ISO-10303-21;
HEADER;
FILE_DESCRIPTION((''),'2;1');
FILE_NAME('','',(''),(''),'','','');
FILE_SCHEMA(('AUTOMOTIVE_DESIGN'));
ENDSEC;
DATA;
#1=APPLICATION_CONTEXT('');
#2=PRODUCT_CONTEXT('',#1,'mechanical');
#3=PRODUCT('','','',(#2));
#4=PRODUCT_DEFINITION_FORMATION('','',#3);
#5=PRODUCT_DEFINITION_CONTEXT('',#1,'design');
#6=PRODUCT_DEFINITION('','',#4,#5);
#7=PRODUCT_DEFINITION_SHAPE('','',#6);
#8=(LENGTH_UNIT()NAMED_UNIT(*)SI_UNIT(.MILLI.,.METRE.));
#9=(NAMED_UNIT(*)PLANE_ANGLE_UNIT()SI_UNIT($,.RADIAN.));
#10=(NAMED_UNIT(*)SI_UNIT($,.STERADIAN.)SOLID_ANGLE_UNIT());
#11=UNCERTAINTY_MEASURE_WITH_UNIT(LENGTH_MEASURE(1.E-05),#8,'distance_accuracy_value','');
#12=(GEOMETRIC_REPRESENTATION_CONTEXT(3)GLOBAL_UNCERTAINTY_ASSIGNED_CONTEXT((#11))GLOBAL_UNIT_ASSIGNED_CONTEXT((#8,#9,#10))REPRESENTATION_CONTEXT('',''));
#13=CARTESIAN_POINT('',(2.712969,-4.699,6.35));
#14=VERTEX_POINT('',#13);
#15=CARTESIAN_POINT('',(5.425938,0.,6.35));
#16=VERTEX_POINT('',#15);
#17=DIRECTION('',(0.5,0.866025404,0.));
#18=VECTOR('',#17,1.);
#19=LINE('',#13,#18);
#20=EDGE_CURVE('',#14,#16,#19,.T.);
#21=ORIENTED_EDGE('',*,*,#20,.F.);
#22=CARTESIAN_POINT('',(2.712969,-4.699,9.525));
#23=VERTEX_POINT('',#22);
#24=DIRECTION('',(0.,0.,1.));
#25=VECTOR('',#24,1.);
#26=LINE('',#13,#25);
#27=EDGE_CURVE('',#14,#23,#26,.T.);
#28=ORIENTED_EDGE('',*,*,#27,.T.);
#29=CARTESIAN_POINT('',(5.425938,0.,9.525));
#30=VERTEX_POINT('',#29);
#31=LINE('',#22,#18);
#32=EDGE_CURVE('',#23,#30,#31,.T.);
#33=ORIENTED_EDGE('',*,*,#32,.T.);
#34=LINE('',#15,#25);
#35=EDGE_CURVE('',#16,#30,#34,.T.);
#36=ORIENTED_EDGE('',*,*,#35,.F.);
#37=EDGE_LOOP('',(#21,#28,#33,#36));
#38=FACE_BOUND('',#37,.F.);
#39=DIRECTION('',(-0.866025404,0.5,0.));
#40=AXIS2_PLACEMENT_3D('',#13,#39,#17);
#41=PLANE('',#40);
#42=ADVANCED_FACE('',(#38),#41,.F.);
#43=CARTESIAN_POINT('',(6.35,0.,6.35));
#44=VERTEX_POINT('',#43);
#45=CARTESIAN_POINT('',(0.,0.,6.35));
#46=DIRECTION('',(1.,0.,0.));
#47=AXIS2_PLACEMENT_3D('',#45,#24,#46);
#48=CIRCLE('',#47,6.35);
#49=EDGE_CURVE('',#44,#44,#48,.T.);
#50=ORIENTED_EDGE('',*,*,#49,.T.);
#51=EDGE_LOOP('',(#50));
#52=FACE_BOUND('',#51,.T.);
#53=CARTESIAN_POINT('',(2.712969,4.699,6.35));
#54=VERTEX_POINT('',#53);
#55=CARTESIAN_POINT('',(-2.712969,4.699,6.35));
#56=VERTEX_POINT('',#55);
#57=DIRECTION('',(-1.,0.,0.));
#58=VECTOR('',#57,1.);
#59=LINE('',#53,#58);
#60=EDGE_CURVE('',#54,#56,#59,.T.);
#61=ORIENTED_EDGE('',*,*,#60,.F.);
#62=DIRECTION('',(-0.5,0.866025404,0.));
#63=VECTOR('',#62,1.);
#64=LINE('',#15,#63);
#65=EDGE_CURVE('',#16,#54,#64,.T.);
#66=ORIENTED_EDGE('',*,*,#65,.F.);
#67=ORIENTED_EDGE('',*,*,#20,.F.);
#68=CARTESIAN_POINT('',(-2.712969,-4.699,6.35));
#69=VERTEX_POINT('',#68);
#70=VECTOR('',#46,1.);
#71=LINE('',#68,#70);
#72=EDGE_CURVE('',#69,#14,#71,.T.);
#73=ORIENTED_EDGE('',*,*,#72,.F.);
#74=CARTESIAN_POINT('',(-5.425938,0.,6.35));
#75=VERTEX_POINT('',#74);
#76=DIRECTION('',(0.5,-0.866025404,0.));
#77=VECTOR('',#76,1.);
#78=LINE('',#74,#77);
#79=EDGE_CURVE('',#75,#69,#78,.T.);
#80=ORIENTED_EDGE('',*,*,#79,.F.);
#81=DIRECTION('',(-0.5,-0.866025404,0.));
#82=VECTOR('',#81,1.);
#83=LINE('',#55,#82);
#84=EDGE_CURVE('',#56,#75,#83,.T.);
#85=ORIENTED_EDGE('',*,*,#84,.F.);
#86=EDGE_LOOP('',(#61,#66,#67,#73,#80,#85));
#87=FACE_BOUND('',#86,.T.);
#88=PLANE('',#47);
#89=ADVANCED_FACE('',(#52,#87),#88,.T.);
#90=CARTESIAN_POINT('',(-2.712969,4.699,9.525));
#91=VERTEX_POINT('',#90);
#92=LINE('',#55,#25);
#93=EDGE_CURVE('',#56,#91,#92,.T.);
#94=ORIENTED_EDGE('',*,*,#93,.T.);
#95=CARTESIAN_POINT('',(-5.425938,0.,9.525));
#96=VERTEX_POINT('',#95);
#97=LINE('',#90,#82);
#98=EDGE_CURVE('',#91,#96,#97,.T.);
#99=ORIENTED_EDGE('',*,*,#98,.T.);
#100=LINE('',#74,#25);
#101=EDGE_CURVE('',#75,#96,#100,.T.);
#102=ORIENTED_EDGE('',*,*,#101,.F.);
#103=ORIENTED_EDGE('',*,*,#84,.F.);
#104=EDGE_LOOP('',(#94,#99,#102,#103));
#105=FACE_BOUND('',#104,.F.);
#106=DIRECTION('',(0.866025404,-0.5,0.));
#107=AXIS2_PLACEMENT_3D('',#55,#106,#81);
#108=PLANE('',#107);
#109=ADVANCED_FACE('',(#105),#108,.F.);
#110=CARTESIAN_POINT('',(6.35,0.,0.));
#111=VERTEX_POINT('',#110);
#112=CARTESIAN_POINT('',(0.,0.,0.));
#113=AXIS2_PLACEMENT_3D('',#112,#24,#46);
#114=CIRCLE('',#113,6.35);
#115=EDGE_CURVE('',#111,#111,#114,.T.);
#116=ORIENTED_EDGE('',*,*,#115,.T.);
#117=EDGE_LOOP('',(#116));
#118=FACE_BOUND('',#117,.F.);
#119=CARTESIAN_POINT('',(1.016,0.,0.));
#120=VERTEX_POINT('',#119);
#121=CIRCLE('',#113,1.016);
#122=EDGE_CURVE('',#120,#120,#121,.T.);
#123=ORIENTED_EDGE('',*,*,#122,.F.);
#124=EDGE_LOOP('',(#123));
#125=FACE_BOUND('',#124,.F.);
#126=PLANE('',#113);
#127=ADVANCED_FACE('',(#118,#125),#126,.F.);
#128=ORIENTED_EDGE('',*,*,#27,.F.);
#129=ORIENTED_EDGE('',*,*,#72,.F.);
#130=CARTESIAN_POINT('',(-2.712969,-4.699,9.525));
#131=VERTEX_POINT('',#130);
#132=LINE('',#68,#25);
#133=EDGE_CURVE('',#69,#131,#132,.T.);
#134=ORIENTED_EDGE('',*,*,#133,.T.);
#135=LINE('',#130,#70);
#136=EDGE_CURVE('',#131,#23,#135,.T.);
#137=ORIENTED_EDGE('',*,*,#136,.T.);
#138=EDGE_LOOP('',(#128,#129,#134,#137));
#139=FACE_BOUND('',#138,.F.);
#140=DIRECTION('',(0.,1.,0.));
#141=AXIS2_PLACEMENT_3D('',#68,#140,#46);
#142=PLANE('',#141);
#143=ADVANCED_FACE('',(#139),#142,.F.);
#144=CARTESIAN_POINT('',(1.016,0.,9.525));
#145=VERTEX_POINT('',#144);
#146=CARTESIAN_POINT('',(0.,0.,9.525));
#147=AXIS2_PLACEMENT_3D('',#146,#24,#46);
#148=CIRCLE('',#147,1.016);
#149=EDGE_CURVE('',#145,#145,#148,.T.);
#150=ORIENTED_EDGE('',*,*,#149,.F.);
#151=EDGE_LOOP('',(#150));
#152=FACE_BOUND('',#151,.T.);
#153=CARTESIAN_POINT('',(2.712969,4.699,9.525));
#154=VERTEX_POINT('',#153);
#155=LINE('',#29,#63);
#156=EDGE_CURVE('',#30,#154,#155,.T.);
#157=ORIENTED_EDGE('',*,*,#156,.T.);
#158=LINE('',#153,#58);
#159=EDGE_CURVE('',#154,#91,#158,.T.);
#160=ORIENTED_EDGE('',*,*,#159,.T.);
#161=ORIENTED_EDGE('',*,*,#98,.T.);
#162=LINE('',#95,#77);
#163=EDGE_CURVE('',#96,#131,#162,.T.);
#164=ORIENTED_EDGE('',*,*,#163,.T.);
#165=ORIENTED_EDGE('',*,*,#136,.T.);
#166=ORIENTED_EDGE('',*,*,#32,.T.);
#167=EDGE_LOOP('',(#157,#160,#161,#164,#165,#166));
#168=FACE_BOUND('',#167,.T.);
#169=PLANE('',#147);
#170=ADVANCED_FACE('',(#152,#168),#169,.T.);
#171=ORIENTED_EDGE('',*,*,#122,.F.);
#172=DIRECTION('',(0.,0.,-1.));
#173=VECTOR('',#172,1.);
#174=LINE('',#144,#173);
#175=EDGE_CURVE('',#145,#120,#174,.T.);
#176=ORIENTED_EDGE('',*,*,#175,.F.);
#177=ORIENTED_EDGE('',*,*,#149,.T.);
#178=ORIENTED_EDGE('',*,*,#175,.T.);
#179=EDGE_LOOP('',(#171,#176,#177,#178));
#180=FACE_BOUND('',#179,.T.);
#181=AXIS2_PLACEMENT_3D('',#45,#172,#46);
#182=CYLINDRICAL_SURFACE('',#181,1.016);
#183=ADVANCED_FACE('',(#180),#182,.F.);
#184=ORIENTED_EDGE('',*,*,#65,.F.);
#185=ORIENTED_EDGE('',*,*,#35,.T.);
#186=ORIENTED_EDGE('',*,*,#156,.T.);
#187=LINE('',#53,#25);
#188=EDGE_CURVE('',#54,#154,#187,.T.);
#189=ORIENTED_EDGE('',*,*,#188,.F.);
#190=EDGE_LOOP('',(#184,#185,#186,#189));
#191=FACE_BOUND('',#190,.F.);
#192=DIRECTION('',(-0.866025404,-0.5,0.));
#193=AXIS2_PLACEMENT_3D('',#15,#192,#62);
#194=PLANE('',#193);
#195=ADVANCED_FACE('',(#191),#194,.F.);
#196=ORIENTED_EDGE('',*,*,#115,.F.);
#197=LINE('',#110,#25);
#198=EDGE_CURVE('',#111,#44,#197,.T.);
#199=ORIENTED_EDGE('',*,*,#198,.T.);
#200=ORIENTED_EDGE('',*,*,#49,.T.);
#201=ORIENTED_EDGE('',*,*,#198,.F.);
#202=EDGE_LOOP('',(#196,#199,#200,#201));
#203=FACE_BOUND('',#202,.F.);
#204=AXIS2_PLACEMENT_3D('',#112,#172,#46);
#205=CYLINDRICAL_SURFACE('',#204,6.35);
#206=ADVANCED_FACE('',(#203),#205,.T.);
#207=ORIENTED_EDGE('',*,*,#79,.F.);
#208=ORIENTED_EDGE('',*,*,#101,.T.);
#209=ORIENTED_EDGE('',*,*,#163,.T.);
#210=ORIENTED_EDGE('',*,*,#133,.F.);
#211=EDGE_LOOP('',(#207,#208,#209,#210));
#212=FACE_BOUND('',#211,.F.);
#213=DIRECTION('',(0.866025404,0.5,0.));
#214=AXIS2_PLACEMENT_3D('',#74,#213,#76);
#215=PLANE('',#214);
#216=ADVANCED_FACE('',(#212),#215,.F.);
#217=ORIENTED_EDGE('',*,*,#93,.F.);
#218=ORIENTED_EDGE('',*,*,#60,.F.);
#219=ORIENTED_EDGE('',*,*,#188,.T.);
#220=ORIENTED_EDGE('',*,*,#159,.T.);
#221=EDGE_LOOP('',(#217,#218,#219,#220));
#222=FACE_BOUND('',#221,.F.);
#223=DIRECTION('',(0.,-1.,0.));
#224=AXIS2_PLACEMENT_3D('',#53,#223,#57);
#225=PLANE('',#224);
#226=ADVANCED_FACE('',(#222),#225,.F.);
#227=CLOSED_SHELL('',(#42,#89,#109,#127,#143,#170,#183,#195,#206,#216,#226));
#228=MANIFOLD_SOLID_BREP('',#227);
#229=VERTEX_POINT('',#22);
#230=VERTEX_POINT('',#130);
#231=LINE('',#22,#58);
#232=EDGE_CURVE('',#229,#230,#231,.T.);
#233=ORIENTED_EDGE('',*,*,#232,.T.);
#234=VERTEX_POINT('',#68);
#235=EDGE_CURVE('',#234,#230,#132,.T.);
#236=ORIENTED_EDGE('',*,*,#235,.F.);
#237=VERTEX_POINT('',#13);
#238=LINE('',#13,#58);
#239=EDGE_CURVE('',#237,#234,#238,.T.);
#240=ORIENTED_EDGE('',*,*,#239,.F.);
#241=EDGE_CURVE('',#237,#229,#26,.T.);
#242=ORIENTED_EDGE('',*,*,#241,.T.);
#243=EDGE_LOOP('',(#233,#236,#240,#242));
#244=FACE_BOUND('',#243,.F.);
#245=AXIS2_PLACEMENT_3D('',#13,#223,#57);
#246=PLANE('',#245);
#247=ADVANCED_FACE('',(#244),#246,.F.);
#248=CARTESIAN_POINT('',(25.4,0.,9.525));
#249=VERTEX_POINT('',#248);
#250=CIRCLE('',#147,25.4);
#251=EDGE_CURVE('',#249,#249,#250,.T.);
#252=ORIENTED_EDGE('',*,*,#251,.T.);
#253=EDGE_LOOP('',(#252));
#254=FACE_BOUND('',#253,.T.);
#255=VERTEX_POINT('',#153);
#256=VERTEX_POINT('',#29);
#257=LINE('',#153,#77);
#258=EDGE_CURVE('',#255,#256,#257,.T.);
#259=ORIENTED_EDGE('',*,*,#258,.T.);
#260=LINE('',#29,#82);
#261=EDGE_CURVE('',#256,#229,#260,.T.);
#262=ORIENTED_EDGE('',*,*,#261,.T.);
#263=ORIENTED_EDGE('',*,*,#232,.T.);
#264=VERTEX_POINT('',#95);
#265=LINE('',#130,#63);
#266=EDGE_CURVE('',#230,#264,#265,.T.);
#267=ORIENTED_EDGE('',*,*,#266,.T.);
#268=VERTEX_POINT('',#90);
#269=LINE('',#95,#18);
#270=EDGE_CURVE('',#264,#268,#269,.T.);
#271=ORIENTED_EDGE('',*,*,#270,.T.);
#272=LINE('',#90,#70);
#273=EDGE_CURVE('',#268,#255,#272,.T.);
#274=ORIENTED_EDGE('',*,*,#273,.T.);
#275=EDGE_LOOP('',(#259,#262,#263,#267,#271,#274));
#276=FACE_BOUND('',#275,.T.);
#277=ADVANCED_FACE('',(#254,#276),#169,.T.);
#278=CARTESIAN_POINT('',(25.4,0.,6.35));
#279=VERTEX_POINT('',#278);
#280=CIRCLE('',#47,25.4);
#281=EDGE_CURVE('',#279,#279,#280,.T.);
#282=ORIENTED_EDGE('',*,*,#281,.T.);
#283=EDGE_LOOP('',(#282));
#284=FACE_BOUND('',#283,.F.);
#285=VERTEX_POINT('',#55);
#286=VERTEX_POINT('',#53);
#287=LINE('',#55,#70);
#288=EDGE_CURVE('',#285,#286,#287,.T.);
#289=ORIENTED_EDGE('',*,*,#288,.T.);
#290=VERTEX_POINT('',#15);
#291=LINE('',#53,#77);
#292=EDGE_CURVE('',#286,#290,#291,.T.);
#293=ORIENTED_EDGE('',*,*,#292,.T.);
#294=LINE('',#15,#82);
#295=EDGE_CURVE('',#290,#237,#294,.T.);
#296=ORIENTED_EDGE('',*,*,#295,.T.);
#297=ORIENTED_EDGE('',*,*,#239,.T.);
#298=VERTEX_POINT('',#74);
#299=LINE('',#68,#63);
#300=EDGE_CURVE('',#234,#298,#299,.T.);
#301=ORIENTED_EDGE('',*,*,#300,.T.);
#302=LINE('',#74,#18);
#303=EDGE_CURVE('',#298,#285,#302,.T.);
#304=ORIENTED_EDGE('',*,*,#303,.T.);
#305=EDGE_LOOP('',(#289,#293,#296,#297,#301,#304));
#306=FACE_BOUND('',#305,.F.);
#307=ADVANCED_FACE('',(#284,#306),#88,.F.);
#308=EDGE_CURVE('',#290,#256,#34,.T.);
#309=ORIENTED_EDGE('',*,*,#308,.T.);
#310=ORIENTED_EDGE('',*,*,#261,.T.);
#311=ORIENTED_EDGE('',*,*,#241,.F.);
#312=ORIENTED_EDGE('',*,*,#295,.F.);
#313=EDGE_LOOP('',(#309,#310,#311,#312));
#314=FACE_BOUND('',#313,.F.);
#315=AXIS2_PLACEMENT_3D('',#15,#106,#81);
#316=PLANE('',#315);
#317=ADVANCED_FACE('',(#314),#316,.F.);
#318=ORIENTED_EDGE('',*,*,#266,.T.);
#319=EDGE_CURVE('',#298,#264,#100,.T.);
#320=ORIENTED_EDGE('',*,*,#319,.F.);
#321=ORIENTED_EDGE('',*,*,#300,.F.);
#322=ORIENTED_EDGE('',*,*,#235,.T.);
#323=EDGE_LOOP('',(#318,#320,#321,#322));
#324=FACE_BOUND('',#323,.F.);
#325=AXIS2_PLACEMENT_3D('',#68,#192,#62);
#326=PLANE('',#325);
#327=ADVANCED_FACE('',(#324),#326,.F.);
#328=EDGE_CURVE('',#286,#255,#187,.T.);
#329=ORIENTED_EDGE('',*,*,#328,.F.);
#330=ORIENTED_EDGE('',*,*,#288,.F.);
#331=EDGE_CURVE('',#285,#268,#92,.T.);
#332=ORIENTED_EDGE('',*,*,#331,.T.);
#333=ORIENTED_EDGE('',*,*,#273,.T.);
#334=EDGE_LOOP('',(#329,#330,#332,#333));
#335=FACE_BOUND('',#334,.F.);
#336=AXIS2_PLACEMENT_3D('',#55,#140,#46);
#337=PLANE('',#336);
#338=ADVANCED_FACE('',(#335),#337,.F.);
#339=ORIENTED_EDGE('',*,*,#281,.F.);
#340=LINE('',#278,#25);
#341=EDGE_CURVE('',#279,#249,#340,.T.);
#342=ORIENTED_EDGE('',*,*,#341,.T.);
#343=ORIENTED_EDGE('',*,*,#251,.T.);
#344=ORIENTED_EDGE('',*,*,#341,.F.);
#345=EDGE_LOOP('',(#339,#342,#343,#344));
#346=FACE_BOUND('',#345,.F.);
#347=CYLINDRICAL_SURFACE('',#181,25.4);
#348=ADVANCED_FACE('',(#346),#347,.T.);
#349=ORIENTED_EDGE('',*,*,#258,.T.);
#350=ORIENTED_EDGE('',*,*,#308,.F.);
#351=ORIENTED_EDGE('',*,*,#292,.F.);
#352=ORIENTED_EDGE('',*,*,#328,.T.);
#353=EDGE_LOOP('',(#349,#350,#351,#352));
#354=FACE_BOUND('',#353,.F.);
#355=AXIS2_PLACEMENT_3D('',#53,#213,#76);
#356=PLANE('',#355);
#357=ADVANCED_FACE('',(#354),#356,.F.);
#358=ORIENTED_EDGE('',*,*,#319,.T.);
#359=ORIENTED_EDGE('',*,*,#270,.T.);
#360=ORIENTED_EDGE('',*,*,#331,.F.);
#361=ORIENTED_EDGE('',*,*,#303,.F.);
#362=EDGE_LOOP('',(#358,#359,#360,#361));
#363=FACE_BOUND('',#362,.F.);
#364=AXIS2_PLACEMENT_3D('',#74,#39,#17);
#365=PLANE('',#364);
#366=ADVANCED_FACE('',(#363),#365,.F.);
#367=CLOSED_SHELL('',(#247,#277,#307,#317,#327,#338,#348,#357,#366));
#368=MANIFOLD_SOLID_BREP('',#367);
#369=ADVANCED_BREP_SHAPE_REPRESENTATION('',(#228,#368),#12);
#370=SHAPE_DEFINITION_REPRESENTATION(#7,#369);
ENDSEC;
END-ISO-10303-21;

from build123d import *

# Parameters (mm, degrees)
F0_R     = 6.35
F0_R_2   = 1.016
F1_DEPTH = 6.35
F2_R     = 1.016
F3_DEPTH = 3.175
F4_R     = 25.4
F4_R_2   = 6.35
F5_DEPTH = 3.175


with BuildPart() as f1:
    # F0 (on Top) → F1 (new body)
    with BuildSketch(Plane.XY):
        Circle(F0_R)
        Circle(F0_R_2, mode=Mode.SUBTRACT)
    extrude(amount=F1_DEPTH)

    # F2 (on face) → F3 (join)
    with BuildSketch(Plane.XY.offset(6.35)):
        Polygon((2.7129689149, 4.699), (-2.7129689149, 4.699), (-5.4259378298, 0), (-2.7129689149, -4.699), (2.7129689149, -4.699), (5.4259378298, 0), align=None)
        Circle(F2_R, mode=Mode.SUBTRACT)
    extrude(amount=F3_DEPTH)


with BuildPart() as f5:
    # F4 (on face) → F5 (new body, through all)
    with BuildSketch(Plane.XY.offset(6.35)):
        Circle(F4_R)
        Circle(F4_R_2, mode=Mode.SUBTRACT)
        Circle(F4_R_2)
        Polygon((-5.4259378298, 0), (-2.7129689149, 4.699), (2.7129689149, 4.699), (5.4259378298, 0), (2.7129689149, -4.699), (-2.7129689149, -4.699), align=None, mode=Mode.SUBTRACT)
    extrude(amount=F5_DEPTH)


solid = Compound([f1.part, f5.part])
